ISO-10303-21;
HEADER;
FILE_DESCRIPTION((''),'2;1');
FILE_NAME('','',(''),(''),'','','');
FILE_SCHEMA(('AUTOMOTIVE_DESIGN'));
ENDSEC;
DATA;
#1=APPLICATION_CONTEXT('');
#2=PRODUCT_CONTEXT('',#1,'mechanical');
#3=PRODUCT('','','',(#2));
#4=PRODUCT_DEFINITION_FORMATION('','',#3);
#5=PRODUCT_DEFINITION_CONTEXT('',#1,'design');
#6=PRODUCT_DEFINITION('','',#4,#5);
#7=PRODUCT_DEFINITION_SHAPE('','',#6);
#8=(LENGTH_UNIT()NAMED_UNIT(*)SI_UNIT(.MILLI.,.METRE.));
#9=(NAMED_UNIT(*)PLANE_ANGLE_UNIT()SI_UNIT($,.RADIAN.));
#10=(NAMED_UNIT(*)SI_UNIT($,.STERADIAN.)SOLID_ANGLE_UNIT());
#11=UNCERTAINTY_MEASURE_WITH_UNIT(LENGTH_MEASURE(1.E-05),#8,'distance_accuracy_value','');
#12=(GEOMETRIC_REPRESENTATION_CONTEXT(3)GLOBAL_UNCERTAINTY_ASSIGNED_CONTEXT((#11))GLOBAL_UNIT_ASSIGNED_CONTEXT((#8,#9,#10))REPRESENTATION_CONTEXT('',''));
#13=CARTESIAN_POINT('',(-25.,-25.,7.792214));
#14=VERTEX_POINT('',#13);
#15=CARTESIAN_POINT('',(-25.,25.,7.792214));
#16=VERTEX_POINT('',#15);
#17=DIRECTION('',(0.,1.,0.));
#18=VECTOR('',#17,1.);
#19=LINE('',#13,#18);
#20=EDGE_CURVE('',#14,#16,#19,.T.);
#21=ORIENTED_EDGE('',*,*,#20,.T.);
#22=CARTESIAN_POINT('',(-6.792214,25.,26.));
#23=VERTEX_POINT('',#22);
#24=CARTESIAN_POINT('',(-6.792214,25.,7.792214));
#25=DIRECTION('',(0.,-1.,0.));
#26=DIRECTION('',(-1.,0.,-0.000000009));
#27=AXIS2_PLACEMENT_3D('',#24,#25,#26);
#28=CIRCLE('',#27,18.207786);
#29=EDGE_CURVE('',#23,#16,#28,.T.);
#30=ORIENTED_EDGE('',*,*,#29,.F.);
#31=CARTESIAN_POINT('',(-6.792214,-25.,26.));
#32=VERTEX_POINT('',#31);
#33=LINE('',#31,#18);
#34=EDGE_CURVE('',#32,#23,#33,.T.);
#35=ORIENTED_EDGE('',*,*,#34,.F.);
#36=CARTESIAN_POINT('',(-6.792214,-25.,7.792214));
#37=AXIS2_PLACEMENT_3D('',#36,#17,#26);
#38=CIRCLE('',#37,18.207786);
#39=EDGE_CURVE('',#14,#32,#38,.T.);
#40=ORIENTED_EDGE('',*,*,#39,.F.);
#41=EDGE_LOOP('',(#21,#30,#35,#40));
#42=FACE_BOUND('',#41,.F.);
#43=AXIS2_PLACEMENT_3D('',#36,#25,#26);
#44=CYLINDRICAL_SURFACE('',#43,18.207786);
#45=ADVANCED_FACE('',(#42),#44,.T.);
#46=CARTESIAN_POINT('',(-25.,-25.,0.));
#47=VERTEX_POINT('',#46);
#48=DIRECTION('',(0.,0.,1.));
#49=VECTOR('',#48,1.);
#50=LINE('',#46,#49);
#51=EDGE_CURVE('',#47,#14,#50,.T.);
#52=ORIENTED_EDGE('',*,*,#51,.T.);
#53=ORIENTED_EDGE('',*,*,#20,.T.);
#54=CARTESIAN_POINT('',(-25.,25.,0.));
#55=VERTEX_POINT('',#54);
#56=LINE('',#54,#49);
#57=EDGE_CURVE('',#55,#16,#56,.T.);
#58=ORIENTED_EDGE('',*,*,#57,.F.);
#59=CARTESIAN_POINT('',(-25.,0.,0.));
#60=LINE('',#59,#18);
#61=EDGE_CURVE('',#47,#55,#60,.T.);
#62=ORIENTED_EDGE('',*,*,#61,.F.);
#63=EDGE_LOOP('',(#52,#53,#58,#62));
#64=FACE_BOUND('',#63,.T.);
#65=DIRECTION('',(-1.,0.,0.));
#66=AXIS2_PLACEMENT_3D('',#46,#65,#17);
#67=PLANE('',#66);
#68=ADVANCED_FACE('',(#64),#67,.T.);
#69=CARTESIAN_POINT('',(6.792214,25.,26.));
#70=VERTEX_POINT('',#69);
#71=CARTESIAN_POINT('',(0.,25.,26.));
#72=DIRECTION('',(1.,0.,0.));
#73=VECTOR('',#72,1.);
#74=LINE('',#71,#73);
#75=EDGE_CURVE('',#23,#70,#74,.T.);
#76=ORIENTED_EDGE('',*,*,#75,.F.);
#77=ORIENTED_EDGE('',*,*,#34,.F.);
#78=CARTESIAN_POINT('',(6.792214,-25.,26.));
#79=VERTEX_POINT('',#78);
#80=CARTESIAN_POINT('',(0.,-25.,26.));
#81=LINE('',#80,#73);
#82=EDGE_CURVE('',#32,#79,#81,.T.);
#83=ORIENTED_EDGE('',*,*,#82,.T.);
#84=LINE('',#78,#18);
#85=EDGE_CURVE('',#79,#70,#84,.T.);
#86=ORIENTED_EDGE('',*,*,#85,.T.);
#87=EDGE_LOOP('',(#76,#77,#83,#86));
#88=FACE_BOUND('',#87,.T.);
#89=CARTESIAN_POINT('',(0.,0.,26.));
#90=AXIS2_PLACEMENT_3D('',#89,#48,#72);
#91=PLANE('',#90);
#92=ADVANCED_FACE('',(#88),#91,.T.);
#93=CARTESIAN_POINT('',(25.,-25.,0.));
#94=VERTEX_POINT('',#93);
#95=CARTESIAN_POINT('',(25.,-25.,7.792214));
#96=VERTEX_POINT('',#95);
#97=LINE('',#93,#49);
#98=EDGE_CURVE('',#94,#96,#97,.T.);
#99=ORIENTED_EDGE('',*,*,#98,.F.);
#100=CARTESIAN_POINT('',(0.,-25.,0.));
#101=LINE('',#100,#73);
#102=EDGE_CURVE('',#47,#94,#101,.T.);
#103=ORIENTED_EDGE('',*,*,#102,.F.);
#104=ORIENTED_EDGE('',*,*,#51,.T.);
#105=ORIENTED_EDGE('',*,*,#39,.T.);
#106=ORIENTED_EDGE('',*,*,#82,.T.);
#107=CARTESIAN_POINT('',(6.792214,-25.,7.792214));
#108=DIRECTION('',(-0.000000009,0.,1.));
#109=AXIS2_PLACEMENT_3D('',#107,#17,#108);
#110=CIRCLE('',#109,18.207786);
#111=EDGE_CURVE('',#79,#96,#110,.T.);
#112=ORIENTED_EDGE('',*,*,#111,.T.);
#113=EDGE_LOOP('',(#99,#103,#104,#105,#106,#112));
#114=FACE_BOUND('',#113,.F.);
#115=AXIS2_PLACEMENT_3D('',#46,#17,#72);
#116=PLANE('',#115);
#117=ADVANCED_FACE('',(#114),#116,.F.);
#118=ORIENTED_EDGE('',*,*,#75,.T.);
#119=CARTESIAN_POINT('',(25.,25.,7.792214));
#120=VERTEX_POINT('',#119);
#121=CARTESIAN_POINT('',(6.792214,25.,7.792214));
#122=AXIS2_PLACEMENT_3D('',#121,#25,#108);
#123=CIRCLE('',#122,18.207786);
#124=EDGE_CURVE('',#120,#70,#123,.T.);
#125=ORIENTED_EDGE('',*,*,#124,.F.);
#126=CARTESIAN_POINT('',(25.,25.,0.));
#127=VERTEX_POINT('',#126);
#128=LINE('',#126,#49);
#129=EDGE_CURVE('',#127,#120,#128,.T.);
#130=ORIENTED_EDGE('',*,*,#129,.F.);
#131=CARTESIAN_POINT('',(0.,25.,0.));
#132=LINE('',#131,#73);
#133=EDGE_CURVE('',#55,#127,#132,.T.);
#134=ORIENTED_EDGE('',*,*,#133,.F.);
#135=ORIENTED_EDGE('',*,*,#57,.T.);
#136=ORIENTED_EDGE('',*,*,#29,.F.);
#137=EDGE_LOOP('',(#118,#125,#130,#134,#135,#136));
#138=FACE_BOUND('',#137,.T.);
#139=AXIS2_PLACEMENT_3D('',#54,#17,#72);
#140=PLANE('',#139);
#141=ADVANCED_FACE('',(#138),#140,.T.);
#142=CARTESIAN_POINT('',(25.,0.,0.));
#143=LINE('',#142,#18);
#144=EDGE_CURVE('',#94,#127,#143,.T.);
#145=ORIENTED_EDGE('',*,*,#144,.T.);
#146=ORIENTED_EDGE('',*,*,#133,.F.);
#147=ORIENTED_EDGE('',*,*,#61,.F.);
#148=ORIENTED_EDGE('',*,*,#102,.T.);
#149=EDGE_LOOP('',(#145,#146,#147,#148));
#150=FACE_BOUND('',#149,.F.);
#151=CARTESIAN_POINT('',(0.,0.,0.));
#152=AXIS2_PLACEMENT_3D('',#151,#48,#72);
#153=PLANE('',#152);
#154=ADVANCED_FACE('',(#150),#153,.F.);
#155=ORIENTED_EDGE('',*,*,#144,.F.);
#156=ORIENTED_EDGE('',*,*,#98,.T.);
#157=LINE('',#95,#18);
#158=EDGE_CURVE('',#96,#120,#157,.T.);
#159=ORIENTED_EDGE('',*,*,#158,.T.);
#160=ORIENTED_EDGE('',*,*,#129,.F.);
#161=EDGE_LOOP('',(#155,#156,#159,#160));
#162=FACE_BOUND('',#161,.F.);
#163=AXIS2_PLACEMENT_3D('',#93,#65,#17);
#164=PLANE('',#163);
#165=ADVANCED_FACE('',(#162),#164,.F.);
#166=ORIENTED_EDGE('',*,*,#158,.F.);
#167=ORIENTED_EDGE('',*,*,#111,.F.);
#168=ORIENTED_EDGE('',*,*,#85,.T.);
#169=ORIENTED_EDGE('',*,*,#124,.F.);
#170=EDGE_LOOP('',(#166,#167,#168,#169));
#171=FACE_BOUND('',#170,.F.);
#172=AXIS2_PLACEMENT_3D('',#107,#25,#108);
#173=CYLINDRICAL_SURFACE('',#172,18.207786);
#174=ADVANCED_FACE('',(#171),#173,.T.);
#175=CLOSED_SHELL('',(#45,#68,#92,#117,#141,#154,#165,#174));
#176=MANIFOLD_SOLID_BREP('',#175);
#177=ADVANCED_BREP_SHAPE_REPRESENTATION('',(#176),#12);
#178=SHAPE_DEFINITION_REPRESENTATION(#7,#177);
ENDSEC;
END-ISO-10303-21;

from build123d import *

# Parameters (mm, degrees)
F0_W     = 50
F0_H     = 50
F1_DEPTH = 26
F3_DEPTH = 50.001


with BuildPart() as f1:
    # F0 (on Top) → F1 (new body)
    with BuildSketch(Plane.XY):
        Rectangle(F0_W, F0_H)
    extrude(amount=F1_DEPTH)

    # F2 (on face) → F3 (cut, through all)
    with BuildSketch(Plane.XZ.offset(25)):
        with BuildLine():
            ThreePointArc((6.792214, 26), (19.667063, 20.667063), (25, 7.792214))
            Line((25, 7.792214), (25, 26))
            Line((25, 26), (6.792214, 26))
        make_face()
        with BuildLine():
            Line((-25, 26), (-25, 7.792214))
            ThreePointArc((-25, 7.792214), (-19.667063, 20.667063), (-6.792214, 26))
            Line((-6.792214, 26), (-25, 26))
        make_face()
    extrude(amount=-F3_DEPTH, mode=Mode.SUBTRACT)


solid = f1.part
